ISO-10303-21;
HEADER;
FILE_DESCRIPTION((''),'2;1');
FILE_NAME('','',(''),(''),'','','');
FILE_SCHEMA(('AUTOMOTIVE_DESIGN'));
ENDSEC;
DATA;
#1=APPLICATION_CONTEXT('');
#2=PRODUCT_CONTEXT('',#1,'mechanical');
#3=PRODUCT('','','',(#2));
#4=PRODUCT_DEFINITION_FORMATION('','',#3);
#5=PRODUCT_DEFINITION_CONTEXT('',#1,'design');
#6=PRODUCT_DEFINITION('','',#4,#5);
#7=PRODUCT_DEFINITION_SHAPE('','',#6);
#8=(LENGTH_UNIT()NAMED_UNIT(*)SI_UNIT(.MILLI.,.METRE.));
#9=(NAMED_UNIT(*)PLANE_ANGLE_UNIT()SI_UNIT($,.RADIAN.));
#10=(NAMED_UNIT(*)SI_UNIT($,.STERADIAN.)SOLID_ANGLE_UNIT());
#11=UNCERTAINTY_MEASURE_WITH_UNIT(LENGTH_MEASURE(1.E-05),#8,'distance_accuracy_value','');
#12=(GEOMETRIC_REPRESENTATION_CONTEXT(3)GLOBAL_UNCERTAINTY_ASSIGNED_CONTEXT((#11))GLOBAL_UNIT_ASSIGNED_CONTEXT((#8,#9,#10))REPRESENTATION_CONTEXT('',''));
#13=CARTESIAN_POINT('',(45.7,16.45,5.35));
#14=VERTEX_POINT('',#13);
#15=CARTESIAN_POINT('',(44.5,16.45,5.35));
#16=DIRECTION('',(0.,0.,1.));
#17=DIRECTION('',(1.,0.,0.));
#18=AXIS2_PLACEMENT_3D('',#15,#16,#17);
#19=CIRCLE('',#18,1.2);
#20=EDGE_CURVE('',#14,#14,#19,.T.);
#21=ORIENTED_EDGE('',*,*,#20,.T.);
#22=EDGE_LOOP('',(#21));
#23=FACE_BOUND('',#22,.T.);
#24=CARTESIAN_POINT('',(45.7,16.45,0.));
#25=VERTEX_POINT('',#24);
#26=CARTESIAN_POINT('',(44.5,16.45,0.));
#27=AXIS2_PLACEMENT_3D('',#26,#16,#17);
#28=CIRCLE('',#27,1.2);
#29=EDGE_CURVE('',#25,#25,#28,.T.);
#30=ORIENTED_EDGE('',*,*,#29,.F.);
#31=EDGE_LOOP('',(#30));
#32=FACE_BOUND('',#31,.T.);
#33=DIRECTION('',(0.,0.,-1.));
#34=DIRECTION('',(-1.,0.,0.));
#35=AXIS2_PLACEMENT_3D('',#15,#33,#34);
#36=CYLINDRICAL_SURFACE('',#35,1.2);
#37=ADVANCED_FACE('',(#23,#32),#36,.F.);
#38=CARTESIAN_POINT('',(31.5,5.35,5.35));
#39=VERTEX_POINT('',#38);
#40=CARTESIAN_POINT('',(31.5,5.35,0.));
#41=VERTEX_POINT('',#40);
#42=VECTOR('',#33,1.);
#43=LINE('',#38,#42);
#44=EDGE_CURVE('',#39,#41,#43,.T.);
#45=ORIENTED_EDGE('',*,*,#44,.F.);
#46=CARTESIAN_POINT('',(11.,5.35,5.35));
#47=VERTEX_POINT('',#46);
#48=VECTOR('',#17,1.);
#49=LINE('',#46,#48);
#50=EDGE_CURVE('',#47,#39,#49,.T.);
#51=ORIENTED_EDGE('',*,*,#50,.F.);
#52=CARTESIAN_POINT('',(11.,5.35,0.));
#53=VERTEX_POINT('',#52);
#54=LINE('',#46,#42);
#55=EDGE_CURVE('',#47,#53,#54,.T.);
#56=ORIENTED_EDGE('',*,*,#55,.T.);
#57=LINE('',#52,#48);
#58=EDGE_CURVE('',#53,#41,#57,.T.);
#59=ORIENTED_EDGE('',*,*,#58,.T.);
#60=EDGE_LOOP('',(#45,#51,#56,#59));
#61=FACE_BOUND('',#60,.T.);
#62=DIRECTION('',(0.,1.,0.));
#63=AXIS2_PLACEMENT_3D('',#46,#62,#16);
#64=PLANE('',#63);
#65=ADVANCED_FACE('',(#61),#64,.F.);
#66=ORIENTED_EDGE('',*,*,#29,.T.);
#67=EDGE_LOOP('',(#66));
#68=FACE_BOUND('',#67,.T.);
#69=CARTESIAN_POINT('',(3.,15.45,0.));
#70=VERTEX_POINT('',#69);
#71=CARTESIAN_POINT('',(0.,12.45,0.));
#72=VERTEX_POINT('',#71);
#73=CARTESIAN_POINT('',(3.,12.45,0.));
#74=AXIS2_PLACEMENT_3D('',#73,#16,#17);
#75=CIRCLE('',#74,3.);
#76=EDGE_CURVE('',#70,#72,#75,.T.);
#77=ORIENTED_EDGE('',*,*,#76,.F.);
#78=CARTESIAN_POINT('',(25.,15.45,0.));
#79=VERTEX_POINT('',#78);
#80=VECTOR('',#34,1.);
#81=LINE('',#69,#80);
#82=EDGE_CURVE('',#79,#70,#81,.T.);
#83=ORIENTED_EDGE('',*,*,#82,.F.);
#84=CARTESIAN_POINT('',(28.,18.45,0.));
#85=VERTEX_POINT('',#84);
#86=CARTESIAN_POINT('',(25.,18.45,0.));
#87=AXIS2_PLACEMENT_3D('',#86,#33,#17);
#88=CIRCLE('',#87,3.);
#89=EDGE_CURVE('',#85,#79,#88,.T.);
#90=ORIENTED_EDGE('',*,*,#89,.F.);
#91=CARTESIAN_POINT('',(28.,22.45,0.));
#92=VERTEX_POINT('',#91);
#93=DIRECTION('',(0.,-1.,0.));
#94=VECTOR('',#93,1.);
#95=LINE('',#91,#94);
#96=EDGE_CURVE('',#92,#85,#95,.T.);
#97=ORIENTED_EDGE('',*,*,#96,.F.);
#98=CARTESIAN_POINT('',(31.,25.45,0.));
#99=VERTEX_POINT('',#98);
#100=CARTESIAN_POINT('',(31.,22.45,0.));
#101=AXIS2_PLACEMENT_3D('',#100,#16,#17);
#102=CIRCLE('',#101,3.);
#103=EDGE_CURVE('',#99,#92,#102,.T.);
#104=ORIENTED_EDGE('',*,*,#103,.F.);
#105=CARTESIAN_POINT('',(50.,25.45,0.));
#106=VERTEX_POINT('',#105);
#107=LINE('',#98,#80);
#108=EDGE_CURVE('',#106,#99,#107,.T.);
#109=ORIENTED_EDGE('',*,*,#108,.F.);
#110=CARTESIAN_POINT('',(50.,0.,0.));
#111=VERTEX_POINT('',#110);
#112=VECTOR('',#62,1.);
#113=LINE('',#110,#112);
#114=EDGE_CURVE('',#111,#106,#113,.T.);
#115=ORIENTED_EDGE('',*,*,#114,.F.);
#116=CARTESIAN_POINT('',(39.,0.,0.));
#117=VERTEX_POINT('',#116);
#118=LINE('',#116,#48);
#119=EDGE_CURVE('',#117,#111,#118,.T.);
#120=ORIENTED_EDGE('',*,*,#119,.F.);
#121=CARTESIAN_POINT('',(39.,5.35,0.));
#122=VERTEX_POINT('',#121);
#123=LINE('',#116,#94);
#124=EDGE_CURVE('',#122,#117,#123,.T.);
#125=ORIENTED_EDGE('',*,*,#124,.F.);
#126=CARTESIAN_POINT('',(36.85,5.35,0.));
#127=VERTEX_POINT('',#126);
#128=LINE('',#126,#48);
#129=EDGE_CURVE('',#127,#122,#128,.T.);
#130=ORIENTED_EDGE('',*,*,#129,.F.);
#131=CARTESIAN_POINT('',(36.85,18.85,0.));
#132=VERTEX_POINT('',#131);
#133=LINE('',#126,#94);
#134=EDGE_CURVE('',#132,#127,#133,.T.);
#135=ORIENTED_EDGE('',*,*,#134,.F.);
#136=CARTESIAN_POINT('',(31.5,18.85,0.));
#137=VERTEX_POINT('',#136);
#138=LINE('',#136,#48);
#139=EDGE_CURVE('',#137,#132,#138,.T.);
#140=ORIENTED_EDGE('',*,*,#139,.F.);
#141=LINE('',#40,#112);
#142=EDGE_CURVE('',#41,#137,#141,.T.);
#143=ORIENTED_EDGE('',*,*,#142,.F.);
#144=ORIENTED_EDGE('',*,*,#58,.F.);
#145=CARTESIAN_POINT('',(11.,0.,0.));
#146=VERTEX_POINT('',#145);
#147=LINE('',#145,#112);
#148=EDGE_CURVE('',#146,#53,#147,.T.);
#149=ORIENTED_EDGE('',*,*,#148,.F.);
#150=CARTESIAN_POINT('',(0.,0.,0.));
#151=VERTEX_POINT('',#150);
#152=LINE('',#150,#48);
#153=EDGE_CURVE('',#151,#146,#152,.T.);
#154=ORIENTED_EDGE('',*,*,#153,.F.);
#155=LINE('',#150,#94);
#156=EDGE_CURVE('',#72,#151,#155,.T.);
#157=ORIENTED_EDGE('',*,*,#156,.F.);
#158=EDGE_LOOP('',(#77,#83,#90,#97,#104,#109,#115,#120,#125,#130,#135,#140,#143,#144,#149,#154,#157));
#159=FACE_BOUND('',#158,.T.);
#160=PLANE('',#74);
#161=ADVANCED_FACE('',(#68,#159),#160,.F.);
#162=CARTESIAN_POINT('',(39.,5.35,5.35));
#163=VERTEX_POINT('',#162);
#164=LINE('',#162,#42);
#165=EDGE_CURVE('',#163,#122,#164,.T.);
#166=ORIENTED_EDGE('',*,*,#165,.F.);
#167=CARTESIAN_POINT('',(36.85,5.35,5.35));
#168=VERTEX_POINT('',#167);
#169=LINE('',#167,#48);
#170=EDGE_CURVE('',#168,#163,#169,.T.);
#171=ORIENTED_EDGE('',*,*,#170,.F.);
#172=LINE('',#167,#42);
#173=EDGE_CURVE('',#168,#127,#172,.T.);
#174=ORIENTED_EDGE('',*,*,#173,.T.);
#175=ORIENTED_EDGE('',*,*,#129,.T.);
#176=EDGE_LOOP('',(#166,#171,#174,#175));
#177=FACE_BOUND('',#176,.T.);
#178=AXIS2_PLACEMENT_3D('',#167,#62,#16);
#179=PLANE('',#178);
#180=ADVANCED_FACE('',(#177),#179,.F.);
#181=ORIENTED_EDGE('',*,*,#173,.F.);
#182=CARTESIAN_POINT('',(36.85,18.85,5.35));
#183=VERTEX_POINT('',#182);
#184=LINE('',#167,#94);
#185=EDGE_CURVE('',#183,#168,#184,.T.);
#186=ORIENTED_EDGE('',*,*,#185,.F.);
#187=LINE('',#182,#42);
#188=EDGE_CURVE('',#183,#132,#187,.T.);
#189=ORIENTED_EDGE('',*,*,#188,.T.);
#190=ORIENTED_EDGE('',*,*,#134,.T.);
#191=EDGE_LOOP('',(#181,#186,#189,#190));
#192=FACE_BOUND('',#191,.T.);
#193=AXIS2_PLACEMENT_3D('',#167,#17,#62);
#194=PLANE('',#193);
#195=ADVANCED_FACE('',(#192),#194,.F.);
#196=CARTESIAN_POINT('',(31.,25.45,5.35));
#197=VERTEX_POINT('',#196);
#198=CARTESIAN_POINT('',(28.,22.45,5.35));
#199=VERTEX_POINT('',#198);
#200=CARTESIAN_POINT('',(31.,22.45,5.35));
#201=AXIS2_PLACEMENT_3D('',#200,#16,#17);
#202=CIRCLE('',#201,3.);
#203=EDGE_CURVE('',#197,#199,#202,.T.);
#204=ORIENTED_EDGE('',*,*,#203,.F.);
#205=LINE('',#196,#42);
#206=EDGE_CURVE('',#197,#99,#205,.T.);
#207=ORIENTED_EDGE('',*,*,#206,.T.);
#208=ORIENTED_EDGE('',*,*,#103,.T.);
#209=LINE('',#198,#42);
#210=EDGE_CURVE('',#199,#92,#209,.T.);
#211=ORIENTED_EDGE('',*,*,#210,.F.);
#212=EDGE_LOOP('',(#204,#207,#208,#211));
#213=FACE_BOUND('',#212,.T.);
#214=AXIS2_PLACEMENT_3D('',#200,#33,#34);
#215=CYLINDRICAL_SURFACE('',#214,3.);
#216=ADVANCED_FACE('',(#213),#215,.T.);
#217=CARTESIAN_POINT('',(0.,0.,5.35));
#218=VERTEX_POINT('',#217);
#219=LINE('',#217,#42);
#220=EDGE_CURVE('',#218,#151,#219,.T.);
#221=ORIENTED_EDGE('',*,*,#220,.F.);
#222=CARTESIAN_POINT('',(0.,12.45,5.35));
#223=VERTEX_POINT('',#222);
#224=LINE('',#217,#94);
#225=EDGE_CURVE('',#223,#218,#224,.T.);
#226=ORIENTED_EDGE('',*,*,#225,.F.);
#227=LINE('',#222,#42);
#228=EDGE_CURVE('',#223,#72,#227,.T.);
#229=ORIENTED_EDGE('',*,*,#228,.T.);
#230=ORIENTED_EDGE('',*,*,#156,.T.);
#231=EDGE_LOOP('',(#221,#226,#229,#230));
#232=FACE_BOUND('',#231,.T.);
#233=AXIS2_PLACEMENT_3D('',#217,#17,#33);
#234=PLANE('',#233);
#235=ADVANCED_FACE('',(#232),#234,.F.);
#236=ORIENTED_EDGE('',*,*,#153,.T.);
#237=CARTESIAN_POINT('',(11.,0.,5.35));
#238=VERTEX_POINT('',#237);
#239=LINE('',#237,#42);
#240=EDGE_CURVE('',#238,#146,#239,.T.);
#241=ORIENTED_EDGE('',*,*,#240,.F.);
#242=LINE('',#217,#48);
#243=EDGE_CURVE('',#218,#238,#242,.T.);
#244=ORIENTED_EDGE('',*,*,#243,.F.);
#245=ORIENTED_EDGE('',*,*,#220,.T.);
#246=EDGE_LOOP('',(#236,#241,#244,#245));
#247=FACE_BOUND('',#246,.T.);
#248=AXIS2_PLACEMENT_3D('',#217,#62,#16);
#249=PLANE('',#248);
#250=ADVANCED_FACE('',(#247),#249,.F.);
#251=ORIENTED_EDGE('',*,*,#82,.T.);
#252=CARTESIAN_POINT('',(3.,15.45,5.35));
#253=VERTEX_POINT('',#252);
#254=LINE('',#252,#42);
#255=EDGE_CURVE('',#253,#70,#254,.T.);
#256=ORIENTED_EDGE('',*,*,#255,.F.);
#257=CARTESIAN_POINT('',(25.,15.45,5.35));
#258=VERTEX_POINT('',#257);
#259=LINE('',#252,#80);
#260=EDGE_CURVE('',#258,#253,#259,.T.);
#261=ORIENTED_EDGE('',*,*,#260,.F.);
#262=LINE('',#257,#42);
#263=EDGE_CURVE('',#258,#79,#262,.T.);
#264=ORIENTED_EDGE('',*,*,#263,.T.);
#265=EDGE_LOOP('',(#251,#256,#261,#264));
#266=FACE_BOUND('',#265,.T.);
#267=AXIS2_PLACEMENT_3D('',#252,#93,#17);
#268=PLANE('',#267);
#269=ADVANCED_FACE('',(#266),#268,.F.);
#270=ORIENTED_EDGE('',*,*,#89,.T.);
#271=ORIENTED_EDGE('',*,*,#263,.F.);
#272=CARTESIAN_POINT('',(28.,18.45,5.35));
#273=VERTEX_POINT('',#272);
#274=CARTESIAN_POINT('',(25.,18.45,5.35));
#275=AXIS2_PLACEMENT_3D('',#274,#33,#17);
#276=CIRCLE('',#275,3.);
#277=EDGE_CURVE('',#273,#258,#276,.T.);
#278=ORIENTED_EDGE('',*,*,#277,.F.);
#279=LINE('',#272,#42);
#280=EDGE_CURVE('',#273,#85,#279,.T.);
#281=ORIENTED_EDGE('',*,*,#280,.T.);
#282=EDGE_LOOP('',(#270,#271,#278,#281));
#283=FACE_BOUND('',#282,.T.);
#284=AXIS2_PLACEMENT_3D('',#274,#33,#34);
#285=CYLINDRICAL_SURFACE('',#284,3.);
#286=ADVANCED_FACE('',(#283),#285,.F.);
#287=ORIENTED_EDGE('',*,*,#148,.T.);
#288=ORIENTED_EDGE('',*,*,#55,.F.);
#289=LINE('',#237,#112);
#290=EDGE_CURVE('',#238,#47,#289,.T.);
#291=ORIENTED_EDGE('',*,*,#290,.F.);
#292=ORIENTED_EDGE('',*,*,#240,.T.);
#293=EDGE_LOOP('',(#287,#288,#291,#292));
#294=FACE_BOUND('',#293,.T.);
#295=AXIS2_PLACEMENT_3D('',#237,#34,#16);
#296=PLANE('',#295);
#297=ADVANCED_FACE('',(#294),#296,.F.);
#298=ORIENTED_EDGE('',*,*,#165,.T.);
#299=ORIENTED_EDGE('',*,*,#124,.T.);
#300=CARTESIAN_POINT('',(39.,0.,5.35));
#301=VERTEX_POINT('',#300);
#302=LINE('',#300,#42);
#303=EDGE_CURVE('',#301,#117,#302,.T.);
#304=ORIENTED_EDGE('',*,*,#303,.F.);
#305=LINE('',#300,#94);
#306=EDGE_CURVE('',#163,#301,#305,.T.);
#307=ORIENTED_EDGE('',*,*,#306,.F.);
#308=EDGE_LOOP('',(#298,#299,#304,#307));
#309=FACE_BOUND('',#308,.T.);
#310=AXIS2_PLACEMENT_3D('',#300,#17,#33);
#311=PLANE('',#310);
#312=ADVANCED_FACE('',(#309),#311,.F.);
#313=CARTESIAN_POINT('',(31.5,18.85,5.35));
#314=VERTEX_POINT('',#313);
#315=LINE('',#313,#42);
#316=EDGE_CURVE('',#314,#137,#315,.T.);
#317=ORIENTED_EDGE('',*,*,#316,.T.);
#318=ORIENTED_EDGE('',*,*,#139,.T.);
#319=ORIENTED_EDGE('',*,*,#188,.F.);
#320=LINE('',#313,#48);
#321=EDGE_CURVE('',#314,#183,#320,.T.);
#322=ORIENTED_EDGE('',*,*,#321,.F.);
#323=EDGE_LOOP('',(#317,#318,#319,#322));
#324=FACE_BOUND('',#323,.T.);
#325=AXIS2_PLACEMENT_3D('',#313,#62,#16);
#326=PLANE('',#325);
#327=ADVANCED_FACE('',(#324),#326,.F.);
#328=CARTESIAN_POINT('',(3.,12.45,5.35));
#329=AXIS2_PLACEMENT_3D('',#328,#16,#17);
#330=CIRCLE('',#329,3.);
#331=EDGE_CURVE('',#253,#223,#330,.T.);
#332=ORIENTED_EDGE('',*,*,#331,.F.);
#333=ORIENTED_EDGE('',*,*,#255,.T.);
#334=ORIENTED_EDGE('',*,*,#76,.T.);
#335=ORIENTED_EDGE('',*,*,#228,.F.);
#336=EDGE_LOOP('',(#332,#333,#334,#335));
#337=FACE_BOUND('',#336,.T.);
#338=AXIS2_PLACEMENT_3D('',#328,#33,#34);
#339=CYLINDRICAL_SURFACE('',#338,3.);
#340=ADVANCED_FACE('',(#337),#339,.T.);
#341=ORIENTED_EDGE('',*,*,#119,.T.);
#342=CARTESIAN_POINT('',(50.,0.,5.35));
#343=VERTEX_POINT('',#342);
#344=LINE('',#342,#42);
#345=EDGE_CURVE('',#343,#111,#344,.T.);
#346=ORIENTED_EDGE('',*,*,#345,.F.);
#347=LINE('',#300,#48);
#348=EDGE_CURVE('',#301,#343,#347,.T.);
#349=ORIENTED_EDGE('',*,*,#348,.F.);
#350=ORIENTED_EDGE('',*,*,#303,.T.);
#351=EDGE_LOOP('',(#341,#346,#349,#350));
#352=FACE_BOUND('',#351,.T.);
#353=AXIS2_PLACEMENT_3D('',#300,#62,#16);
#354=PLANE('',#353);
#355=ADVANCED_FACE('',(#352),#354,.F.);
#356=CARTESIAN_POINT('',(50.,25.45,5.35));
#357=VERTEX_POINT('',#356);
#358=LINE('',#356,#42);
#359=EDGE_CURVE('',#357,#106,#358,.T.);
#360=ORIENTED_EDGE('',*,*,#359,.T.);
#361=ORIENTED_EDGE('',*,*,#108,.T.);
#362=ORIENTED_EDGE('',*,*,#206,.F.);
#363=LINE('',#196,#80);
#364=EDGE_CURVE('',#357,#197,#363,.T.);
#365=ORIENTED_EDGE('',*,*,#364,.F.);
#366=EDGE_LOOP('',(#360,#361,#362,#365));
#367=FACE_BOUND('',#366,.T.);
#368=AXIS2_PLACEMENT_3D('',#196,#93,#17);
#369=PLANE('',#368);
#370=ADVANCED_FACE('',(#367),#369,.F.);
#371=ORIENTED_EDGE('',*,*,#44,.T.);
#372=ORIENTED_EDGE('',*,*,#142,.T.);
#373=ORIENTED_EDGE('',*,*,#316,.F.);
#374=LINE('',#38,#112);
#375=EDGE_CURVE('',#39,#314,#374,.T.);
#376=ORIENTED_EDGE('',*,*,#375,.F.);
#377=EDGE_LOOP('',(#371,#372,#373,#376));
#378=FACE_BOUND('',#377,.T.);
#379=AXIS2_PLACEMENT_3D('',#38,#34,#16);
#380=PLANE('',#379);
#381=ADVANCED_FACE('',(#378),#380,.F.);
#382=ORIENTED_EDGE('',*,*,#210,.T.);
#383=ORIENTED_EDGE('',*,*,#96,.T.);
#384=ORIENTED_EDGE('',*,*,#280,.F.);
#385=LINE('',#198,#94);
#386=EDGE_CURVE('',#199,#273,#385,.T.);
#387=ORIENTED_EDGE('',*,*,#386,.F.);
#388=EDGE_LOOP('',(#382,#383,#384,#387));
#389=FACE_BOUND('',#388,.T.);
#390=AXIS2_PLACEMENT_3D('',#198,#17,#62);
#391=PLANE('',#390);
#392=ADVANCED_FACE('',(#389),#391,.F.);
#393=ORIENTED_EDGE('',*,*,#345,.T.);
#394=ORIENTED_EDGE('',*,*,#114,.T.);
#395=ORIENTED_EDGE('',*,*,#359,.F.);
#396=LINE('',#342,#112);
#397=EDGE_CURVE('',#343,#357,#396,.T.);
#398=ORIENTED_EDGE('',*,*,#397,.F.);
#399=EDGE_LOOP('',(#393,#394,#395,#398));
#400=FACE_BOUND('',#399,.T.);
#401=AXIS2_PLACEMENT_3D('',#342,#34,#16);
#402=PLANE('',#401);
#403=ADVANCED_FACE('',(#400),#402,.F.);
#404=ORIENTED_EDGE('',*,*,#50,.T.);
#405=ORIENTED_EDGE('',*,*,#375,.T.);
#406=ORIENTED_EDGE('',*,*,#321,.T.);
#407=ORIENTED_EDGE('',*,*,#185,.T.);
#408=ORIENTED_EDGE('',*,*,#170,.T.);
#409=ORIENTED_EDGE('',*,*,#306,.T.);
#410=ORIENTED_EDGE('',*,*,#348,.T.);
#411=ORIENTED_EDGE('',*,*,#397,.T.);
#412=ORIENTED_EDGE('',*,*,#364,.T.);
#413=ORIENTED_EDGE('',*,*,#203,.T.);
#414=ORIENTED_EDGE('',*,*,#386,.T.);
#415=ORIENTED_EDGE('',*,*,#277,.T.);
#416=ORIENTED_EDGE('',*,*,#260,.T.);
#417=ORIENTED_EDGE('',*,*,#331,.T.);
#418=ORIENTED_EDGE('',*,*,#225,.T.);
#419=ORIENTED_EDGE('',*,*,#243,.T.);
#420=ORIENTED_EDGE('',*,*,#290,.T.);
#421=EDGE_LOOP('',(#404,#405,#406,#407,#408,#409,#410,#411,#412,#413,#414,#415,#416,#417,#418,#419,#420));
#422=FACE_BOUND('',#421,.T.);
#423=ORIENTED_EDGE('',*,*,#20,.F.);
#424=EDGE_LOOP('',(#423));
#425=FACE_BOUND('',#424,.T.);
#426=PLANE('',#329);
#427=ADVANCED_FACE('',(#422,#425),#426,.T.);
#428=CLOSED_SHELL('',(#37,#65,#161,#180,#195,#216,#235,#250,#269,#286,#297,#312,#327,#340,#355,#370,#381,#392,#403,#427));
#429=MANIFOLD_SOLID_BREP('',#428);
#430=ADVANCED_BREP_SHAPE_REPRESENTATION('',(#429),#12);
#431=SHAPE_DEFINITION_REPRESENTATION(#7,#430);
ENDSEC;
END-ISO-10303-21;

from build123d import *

# Parameters (mm, degrees)
MODEL_R             = 1.2
BOSS_EXTRUDE1_DEPTH = 5.35


with BuildPart() as part:
    # Model → Boss-Extrude1 (new body)
    with BuildSketch(Plane.XY):
        with BuildLine():
            Line((39, 0), (50, 0))
            Line((50, 0), (50, 25.45))
            Line((50, 25.45), (31, 25.45))
            ThreePointArc((31, 25.45), (28.878679656, 24.571320344), (28, 22.45))
            Line((28, 22.45), (28, 18.45))
            ThreePointArc((28, 18.45), (27.121320344, 16.328679656), (25, 15.45))
            Line((25, 15.45), (3, 15.45))
            ThreePointArc((3, 15.45), (0.878679656, 14.571320344), (0, 12.45))
            Line((0, 12.45), (0, 0))
            Line((0, 0), (11, 0))
            Line((11, 0), (11, 5.35))
            Line((11, 5.35), (31.5, 5.35))
            Line((31.5, 5.35), (31.5, 18.85))
            Line((31.5, 18.85), (36.85, 18.85))
            Line((36.85, 18.85), (36.85, 5.35))
            Line((36.85, 5.35), (39, 5.35))
            Line((39, 5.35), (39, 0))
        make_face()
        with Locations((44.5, 16.45)):
            Circle(MODEL_R, mode=Mode.SUBTRACT)
    extrude(amount=BOSS_EXTRUDE1_DEPTH)


solid = part.part
